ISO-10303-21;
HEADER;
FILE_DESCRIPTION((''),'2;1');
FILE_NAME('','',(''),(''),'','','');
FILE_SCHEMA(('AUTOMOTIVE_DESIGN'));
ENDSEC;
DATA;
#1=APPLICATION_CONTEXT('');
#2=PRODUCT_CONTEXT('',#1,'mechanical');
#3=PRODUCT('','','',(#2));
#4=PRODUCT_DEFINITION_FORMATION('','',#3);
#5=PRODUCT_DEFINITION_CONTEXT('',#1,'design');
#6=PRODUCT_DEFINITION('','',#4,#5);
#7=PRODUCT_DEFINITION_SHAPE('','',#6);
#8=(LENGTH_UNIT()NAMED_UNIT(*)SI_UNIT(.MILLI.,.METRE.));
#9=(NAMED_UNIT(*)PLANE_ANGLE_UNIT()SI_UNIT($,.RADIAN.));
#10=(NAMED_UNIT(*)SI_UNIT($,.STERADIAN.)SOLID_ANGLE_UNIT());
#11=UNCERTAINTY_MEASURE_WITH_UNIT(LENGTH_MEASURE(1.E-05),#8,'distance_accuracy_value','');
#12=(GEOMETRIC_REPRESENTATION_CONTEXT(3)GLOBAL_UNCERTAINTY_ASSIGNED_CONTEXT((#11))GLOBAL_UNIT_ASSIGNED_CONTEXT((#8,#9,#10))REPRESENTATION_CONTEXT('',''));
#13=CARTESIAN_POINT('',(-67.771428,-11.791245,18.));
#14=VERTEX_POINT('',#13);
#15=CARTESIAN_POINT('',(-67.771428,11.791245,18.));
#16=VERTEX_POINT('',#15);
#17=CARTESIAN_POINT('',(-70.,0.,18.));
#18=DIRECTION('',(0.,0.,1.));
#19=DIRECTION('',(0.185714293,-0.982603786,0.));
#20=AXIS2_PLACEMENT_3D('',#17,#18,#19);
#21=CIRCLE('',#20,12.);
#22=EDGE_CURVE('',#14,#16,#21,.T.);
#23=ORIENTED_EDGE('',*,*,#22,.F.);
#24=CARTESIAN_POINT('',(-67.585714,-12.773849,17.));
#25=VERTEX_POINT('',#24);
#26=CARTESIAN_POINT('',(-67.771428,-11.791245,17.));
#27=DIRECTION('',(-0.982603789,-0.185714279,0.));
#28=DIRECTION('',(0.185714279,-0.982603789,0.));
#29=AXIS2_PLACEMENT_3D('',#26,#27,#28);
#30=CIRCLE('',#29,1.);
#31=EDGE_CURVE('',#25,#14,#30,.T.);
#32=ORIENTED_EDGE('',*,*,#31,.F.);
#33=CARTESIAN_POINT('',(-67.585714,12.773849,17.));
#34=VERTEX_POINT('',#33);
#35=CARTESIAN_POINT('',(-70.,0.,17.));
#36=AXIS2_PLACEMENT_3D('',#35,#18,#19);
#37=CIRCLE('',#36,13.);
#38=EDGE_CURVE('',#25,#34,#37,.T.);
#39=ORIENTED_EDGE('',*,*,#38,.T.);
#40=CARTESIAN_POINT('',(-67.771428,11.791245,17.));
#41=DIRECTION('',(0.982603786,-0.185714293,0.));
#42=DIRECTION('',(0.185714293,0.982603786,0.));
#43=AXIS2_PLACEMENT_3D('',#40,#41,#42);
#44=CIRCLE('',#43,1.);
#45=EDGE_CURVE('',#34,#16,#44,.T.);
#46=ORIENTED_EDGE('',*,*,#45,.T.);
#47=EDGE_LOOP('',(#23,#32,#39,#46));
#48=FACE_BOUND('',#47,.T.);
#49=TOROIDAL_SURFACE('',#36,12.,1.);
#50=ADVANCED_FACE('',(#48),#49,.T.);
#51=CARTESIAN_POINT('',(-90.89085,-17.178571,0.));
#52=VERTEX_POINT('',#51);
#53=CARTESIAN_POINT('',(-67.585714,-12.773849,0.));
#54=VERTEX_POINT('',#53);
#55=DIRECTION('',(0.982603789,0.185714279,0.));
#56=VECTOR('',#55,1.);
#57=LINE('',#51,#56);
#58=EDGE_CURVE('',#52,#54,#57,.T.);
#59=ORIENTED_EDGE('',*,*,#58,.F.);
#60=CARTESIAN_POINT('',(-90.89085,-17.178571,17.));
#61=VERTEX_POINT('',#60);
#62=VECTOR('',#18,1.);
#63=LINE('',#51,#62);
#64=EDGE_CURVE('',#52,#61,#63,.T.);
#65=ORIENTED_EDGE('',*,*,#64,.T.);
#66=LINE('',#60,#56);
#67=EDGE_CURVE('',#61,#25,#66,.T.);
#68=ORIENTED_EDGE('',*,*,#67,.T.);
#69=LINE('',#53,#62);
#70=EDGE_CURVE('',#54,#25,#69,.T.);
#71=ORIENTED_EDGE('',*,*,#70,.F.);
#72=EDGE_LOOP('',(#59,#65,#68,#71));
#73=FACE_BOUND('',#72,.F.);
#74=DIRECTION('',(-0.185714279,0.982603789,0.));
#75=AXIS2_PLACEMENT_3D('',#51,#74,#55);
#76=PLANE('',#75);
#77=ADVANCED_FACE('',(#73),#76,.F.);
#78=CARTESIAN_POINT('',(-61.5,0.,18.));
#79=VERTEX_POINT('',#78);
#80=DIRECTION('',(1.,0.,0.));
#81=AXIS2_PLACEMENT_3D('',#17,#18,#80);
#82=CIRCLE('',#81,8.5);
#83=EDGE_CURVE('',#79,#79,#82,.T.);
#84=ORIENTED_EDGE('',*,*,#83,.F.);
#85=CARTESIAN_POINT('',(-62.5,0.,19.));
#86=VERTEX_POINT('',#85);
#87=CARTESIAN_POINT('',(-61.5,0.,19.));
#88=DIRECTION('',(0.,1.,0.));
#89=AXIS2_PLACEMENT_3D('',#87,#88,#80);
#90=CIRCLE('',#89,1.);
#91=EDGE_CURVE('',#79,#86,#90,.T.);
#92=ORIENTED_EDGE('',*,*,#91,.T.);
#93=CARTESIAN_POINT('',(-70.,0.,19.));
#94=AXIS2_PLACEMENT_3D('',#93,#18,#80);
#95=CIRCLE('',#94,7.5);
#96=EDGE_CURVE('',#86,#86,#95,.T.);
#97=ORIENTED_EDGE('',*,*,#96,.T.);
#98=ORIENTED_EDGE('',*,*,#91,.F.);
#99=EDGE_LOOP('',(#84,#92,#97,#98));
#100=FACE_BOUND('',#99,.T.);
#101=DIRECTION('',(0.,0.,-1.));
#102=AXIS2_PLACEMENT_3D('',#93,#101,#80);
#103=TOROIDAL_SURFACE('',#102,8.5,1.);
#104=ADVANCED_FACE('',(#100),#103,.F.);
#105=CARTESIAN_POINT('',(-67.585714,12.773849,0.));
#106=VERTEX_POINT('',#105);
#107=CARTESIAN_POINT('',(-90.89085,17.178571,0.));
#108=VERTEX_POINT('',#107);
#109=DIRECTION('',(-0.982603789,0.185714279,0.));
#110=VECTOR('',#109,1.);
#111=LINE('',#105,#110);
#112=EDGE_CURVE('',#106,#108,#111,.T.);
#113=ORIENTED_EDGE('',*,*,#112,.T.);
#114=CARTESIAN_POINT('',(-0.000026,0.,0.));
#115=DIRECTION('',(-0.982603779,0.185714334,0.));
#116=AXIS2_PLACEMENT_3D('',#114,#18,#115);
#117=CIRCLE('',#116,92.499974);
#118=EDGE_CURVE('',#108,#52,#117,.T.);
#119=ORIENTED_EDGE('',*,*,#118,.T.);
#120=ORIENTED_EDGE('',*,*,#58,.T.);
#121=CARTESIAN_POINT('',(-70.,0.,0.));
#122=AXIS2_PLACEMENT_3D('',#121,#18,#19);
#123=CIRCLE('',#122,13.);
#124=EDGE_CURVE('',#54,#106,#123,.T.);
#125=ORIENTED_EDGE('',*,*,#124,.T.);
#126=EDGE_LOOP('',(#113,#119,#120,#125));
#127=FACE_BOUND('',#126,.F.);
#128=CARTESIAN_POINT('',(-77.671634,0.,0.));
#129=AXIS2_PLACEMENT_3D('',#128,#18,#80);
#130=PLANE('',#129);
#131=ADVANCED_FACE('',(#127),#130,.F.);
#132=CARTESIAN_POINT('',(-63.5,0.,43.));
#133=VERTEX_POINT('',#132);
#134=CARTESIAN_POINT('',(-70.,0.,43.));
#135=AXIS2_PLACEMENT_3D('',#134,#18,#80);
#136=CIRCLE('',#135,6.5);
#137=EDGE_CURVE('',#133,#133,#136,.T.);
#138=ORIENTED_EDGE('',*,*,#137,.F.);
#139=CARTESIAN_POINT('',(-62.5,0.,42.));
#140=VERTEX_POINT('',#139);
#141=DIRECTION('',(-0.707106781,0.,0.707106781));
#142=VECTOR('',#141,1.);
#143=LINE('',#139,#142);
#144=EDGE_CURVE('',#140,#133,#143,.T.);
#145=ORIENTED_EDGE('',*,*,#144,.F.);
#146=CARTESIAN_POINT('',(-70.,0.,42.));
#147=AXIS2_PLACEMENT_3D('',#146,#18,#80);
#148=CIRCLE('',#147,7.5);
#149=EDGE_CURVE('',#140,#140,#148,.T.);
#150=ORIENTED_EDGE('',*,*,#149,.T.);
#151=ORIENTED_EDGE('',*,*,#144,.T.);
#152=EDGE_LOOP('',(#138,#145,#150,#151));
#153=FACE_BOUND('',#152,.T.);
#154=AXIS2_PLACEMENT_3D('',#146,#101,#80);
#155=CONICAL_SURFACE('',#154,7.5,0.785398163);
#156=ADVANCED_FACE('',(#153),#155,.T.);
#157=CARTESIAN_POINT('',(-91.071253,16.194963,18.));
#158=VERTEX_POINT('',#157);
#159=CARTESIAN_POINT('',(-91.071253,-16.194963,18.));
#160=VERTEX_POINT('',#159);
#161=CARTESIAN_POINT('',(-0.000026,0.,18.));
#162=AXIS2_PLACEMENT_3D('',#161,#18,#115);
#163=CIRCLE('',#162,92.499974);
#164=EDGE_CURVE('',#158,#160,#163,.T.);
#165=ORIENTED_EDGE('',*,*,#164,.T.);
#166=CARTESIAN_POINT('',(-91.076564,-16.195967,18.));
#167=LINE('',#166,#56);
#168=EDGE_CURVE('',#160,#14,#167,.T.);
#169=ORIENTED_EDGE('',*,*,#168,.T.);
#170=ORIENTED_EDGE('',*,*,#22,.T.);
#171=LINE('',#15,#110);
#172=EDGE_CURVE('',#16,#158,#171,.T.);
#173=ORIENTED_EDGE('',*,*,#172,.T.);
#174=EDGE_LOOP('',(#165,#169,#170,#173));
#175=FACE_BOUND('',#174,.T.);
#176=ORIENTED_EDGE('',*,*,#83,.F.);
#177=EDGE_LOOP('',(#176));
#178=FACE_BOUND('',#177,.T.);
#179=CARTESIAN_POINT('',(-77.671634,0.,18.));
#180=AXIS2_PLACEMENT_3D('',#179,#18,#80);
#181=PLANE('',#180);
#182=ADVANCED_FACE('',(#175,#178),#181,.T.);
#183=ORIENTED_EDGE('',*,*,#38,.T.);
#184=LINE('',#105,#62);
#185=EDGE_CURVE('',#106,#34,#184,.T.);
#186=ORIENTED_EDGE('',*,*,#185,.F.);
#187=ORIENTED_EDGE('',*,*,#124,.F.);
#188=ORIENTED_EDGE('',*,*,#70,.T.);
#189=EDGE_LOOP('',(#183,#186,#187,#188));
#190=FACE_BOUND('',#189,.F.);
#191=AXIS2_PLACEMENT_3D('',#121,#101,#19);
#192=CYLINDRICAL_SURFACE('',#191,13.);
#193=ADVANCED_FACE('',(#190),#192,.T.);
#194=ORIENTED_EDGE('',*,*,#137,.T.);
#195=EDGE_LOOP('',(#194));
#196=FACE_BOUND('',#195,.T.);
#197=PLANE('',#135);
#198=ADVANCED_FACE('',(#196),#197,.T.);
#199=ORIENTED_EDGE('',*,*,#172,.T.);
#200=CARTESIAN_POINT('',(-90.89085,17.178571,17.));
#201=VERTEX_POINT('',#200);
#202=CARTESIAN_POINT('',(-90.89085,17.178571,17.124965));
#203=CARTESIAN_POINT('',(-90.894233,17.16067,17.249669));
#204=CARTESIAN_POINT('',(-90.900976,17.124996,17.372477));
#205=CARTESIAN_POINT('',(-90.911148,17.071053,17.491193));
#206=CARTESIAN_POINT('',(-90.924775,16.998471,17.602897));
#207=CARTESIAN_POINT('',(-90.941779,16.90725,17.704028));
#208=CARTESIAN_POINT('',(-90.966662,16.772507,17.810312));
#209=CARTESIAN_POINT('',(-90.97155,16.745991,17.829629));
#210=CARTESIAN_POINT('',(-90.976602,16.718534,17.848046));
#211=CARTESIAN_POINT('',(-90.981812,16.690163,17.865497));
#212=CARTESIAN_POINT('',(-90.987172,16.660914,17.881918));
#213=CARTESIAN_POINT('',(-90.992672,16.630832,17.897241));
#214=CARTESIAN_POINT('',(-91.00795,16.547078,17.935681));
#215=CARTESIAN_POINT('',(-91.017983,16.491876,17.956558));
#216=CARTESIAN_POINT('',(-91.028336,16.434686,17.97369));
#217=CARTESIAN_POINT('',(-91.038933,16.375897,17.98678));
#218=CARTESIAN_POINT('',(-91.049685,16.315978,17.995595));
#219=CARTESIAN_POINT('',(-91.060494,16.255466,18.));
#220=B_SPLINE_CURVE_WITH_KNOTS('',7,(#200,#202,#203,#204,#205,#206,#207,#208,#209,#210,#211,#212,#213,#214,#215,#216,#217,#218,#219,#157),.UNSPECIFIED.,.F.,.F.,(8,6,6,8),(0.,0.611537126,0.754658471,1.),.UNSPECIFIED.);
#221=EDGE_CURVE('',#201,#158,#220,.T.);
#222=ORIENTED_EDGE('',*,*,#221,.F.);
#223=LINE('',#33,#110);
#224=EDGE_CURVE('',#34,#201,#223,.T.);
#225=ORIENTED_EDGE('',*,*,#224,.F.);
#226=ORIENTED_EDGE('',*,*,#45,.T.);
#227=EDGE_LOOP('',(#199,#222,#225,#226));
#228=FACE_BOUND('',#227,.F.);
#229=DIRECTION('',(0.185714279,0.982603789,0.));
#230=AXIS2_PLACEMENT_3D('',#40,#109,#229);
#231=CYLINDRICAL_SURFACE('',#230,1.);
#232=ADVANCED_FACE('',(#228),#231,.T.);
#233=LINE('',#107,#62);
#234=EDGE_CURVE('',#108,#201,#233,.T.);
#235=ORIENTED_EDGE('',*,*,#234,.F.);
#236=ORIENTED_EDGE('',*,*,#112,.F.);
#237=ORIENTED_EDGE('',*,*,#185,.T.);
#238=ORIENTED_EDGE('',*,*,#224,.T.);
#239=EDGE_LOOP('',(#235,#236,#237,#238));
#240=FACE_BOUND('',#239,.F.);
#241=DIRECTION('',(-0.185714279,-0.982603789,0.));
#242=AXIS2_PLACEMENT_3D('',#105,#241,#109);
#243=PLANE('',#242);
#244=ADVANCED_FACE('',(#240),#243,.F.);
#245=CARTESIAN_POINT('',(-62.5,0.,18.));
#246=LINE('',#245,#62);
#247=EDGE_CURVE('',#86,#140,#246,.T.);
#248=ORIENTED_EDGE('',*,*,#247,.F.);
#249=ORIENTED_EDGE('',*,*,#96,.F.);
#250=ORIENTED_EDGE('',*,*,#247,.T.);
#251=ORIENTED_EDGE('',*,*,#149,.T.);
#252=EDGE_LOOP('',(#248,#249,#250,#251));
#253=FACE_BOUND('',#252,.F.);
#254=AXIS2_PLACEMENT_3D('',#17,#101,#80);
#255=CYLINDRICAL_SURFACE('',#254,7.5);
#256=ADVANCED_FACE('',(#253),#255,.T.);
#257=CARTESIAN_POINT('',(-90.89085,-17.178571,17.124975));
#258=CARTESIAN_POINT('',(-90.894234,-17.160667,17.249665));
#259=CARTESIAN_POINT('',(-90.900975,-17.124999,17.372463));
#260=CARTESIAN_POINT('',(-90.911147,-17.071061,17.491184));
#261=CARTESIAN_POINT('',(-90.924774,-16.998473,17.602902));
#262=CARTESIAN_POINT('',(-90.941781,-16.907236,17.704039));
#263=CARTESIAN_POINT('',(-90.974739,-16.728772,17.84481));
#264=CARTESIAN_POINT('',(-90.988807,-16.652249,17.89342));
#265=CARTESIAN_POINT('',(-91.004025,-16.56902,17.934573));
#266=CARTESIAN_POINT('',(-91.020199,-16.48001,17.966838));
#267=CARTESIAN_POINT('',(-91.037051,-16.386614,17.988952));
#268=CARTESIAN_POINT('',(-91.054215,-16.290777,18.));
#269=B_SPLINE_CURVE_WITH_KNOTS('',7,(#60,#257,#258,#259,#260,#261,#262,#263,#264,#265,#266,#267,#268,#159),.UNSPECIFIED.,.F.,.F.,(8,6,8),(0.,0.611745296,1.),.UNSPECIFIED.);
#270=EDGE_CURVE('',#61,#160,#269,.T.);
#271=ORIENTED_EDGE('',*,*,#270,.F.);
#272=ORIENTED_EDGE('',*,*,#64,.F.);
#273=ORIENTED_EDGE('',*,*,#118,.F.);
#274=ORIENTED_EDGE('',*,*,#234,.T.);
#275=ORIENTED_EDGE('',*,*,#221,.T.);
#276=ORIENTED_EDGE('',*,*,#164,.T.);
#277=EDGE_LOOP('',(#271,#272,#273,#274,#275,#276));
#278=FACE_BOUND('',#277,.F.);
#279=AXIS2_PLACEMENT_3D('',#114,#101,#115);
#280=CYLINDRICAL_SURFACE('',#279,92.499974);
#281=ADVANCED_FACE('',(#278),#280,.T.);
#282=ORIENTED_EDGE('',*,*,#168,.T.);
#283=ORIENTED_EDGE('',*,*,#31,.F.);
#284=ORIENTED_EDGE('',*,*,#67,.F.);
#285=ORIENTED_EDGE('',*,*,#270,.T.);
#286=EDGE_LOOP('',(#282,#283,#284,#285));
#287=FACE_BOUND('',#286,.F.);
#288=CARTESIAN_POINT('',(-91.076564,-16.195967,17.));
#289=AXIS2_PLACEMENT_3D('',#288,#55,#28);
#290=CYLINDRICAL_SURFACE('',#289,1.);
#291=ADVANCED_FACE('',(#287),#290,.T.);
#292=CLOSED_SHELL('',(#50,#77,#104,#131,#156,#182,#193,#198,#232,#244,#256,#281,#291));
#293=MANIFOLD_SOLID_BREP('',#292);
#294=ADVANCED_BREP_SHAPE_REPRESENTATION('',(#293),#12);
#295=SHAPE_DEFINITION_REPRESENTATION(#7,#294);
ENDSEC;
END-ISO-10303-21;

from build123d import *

# Parameters (mm, degrees)
F1_DEPTH = 18
F2_R     = 7.5
F3_DEPTH = 25
F4_R     = 1
F5_SIZE  = 1


with BuildPart() as f1:
    # F0 (on Top) → F1 (new body)
    with BuildSketch(Plane.XY):
        with BuildLine():
            Line((-67.585714, 12.773849), (-90.89085, 17.178571))
            ThreePointArc((-90.89085, 17.178571), (-92.5, 0), (-90.89085, -17.178571))
            Line((-90.89085, -17.178571), (-67.585714, -12.773849))
            ThreePointArc((-67.585714, -12.773849), (-57, 0), (-67.585714, 12.773849))
        make_face()
    extrude(amount=F1_DEPTH)

    # F2 (on face) → F3 (join)
    with BuildSketch(Plane.XY.offset(18)):
        with Locations((-70, 0)):
            Circle(F2_R)
    extrude(amount=F3_DEPTH)

    # F4
    f4_edges = [f1.edges().sort_by_distance(p)[0] for p in [
        (-77.5, 0, 18),
        (-79.238282, 14.97621, 18),
    ]]
    fillet(f4_edges, radius=F4_R)

    # F5
    f5_edges = [f1.edges().sort_by_distance(p)[0] for p in [
        (-77.5, 0, 43),
    ]]
    chamfer(f5_edges, length=F5_SIZE)


solid = f1.part
